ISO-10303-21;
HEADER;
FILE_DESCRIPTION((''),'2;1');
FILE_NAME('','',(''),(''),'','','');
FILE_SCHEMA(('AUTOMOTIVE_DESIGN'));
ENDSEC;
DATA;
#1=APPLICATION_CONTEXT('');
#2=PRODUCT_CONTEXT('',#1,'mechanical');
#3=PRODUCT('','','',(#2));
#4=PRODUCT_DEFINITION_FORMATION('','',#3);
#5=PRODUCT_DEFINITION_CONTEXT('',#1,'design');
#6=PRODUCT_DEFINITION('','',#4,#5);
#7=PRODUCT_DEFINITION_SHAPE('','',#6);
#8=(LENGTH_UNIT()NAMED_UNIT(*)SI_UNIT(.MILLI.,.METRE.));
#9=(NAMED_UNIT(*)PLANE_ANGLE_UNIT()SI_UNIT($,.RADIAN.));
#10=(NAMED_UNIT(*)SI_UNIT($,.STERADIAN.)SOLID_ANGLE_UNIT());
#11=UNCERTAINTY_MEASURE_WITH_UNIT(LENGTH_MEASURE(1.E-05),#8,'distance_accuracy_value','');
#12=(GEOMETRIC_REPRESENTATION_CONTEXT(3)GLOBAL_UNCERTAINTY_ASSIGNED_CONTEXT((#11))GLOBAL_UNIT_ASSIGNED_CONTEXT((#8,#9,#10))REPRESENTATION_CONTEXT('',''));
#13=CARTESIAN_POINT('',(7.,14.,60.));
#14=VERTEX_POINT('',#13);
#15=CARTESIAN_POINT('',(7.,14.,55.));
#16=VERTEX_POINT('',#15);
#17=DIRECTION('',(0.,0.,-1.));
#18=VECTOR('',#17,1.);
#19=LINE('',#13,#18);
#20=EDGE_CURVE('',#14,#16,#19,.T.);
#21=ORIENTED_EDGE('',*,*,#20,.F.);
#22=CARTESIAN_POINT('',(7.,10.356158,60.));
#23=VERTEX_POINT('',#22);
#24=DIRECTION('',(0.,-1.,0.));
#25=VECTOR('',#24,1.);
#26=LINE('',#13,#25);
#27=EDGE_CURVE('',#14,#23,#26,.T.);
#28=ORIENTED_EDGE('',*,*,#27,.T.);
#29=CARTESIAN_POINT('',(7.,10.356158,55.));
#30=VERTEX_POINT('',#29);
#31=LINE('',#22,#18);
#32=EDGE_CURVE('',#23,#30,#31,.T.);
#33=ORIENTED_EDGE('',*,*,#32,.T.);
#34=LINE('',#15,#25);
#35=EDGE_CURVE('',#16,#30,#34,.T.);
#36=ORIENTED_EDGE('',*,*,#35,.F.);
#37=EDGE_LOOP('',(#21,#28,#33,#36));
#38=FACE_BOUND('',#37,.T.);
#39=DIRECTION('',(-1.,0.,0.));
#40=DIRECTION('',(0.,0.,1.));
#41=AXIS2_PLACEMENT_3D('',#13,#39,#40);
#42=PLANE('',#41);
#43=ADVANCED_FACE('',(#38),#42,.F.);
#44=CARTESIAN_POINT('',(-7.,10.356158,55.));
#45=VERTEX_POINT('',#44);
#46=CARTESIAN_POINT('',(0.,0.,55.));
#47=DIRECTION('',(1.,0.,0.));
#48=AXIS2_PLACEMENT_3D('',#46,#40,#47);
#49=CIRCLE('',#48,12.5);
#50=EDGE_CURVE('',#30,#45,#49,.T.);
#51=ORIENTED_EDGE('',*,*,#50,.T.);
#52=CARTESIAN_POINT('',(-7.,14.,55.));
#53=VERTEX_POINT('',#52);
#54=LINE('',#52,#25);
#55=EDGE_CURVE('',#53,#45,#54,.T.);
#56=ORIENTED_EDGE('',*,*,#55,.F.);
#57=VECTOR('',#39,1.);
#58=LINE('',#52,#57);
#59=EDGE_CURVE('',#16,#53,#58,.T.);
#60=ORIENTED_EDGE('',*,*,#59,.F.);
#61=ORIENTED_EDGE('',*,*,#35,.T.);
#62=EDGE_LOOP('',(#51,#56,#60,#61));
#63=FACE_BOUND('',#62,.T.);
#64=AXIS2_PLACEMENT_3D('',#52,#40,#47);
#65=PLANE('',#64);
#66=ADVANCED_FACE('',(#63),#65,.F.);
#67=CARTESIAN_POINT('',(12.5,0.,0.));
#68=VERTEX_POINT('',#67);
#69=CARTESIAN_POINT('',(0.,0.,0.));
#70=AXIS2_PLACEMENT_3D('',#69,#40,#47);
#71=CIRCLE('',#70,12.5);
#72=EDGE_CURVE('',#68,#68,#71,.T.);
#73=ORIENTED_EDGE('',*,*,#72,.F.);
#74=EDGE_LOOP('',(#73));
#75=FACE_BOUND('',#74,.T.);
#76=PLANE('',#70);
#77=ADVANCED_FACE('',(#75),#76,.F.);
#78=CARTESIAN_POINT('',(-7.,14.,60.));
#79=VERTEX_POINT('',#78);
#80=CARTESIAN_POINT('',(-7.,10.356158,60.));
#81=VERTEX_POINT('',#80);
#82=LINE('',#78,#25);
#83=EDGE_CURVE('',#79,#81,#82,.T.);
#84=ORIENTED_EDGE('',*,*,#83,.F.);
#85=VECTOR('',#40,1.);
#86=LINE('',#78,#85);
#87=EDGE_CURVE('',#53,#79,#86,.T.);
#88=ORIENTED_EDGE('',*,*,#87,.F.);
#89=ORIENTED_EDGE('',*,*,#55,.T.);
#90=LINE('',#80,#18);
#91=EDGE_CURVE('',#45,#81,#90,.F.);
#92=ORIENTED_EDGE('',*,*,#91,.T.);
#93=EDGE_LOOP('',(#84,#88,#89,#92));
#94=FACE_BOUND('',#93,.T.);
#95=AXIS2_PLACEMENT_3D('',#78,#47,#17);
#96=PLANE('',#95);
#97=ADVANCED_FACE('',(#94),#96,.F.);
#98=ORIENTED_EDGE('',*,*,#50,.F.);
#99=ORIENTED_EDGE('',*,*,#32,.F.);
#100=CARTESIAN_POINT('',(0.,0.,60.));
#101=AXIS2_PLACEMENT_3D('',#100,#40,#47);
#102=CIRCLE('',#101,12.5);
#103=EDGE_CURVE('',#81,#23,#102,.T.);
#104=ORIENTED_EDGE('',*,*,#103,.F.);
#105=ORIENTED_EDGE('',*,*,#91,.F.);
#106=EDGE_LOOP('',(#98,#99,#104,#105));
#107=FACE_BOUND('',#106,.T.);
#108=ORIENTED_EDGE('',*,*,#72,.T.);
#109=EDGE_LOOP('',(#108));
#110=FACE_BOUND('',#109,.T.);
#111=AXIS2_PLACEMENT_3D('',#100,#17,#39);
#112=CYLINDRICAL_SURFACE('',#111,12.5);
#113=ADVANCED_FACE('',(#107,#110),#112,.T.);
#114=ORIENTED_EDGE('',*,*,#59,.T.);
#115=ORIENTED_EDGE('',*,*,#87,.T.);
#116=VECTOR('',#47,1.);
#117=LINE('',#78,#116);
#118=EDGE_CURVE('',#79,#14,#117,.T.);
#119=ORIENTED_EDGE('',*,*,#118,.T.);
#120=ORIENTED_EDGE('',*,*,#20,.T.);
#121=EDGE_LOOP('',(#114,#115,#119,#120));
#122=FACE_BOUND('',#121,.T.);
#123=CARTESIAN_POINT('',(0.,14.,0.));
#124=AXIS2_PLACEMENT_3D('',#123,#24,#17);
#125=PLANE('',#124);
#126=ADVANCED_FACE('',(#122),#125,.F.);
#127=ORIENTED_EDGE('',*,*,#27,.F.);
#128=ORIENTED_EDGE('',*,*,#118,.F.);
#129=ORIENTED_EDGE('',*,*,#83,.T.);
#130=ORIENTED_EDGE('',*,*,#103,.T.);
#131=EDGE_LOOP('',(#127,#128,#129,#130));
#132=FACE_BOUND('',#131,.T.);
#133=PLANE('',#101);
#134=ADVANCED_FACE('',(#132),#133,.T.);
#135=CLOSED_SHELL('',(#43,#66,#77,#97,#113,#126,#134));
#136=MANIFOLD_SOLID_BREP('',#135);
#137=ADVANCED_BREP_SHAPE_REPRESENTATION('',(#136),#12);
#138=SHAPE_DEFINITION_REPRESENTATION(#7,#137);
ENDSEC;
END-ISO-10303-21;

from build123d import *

# Parameters (mm, degrees)
SKETCH1_R           = 12.5
BOSS_EXTRUDE1_DEPTH = 60
SKETCH3_W           = 14
SKETCH3_H           = 5
BOSS_EXTRUDE2_DEPTH = 14


with BuildPart() as part:
    # Sketch1 → Boss-Extrude1 (new body)
    with BuildSketch(Plane.XY):
        Circle(SKETCH1_R)
    extrude(amount=BOSS_EXTRUDE1_DEPTH)

    # Sketch3 → Boss-Extrude2 (add)
    with BuildSketch(Plane(origin=(0, 0, 0), x_dir=(1, 0, 0), z_dir=(0, 1, 0))):
        with Locations((0, -57.5)):
            Rectangle(SKETCH3_W, SKETCH3_H)
    extrude(amount=BOSS_EXTRUDE2_DEPTH)


solid = part.part
